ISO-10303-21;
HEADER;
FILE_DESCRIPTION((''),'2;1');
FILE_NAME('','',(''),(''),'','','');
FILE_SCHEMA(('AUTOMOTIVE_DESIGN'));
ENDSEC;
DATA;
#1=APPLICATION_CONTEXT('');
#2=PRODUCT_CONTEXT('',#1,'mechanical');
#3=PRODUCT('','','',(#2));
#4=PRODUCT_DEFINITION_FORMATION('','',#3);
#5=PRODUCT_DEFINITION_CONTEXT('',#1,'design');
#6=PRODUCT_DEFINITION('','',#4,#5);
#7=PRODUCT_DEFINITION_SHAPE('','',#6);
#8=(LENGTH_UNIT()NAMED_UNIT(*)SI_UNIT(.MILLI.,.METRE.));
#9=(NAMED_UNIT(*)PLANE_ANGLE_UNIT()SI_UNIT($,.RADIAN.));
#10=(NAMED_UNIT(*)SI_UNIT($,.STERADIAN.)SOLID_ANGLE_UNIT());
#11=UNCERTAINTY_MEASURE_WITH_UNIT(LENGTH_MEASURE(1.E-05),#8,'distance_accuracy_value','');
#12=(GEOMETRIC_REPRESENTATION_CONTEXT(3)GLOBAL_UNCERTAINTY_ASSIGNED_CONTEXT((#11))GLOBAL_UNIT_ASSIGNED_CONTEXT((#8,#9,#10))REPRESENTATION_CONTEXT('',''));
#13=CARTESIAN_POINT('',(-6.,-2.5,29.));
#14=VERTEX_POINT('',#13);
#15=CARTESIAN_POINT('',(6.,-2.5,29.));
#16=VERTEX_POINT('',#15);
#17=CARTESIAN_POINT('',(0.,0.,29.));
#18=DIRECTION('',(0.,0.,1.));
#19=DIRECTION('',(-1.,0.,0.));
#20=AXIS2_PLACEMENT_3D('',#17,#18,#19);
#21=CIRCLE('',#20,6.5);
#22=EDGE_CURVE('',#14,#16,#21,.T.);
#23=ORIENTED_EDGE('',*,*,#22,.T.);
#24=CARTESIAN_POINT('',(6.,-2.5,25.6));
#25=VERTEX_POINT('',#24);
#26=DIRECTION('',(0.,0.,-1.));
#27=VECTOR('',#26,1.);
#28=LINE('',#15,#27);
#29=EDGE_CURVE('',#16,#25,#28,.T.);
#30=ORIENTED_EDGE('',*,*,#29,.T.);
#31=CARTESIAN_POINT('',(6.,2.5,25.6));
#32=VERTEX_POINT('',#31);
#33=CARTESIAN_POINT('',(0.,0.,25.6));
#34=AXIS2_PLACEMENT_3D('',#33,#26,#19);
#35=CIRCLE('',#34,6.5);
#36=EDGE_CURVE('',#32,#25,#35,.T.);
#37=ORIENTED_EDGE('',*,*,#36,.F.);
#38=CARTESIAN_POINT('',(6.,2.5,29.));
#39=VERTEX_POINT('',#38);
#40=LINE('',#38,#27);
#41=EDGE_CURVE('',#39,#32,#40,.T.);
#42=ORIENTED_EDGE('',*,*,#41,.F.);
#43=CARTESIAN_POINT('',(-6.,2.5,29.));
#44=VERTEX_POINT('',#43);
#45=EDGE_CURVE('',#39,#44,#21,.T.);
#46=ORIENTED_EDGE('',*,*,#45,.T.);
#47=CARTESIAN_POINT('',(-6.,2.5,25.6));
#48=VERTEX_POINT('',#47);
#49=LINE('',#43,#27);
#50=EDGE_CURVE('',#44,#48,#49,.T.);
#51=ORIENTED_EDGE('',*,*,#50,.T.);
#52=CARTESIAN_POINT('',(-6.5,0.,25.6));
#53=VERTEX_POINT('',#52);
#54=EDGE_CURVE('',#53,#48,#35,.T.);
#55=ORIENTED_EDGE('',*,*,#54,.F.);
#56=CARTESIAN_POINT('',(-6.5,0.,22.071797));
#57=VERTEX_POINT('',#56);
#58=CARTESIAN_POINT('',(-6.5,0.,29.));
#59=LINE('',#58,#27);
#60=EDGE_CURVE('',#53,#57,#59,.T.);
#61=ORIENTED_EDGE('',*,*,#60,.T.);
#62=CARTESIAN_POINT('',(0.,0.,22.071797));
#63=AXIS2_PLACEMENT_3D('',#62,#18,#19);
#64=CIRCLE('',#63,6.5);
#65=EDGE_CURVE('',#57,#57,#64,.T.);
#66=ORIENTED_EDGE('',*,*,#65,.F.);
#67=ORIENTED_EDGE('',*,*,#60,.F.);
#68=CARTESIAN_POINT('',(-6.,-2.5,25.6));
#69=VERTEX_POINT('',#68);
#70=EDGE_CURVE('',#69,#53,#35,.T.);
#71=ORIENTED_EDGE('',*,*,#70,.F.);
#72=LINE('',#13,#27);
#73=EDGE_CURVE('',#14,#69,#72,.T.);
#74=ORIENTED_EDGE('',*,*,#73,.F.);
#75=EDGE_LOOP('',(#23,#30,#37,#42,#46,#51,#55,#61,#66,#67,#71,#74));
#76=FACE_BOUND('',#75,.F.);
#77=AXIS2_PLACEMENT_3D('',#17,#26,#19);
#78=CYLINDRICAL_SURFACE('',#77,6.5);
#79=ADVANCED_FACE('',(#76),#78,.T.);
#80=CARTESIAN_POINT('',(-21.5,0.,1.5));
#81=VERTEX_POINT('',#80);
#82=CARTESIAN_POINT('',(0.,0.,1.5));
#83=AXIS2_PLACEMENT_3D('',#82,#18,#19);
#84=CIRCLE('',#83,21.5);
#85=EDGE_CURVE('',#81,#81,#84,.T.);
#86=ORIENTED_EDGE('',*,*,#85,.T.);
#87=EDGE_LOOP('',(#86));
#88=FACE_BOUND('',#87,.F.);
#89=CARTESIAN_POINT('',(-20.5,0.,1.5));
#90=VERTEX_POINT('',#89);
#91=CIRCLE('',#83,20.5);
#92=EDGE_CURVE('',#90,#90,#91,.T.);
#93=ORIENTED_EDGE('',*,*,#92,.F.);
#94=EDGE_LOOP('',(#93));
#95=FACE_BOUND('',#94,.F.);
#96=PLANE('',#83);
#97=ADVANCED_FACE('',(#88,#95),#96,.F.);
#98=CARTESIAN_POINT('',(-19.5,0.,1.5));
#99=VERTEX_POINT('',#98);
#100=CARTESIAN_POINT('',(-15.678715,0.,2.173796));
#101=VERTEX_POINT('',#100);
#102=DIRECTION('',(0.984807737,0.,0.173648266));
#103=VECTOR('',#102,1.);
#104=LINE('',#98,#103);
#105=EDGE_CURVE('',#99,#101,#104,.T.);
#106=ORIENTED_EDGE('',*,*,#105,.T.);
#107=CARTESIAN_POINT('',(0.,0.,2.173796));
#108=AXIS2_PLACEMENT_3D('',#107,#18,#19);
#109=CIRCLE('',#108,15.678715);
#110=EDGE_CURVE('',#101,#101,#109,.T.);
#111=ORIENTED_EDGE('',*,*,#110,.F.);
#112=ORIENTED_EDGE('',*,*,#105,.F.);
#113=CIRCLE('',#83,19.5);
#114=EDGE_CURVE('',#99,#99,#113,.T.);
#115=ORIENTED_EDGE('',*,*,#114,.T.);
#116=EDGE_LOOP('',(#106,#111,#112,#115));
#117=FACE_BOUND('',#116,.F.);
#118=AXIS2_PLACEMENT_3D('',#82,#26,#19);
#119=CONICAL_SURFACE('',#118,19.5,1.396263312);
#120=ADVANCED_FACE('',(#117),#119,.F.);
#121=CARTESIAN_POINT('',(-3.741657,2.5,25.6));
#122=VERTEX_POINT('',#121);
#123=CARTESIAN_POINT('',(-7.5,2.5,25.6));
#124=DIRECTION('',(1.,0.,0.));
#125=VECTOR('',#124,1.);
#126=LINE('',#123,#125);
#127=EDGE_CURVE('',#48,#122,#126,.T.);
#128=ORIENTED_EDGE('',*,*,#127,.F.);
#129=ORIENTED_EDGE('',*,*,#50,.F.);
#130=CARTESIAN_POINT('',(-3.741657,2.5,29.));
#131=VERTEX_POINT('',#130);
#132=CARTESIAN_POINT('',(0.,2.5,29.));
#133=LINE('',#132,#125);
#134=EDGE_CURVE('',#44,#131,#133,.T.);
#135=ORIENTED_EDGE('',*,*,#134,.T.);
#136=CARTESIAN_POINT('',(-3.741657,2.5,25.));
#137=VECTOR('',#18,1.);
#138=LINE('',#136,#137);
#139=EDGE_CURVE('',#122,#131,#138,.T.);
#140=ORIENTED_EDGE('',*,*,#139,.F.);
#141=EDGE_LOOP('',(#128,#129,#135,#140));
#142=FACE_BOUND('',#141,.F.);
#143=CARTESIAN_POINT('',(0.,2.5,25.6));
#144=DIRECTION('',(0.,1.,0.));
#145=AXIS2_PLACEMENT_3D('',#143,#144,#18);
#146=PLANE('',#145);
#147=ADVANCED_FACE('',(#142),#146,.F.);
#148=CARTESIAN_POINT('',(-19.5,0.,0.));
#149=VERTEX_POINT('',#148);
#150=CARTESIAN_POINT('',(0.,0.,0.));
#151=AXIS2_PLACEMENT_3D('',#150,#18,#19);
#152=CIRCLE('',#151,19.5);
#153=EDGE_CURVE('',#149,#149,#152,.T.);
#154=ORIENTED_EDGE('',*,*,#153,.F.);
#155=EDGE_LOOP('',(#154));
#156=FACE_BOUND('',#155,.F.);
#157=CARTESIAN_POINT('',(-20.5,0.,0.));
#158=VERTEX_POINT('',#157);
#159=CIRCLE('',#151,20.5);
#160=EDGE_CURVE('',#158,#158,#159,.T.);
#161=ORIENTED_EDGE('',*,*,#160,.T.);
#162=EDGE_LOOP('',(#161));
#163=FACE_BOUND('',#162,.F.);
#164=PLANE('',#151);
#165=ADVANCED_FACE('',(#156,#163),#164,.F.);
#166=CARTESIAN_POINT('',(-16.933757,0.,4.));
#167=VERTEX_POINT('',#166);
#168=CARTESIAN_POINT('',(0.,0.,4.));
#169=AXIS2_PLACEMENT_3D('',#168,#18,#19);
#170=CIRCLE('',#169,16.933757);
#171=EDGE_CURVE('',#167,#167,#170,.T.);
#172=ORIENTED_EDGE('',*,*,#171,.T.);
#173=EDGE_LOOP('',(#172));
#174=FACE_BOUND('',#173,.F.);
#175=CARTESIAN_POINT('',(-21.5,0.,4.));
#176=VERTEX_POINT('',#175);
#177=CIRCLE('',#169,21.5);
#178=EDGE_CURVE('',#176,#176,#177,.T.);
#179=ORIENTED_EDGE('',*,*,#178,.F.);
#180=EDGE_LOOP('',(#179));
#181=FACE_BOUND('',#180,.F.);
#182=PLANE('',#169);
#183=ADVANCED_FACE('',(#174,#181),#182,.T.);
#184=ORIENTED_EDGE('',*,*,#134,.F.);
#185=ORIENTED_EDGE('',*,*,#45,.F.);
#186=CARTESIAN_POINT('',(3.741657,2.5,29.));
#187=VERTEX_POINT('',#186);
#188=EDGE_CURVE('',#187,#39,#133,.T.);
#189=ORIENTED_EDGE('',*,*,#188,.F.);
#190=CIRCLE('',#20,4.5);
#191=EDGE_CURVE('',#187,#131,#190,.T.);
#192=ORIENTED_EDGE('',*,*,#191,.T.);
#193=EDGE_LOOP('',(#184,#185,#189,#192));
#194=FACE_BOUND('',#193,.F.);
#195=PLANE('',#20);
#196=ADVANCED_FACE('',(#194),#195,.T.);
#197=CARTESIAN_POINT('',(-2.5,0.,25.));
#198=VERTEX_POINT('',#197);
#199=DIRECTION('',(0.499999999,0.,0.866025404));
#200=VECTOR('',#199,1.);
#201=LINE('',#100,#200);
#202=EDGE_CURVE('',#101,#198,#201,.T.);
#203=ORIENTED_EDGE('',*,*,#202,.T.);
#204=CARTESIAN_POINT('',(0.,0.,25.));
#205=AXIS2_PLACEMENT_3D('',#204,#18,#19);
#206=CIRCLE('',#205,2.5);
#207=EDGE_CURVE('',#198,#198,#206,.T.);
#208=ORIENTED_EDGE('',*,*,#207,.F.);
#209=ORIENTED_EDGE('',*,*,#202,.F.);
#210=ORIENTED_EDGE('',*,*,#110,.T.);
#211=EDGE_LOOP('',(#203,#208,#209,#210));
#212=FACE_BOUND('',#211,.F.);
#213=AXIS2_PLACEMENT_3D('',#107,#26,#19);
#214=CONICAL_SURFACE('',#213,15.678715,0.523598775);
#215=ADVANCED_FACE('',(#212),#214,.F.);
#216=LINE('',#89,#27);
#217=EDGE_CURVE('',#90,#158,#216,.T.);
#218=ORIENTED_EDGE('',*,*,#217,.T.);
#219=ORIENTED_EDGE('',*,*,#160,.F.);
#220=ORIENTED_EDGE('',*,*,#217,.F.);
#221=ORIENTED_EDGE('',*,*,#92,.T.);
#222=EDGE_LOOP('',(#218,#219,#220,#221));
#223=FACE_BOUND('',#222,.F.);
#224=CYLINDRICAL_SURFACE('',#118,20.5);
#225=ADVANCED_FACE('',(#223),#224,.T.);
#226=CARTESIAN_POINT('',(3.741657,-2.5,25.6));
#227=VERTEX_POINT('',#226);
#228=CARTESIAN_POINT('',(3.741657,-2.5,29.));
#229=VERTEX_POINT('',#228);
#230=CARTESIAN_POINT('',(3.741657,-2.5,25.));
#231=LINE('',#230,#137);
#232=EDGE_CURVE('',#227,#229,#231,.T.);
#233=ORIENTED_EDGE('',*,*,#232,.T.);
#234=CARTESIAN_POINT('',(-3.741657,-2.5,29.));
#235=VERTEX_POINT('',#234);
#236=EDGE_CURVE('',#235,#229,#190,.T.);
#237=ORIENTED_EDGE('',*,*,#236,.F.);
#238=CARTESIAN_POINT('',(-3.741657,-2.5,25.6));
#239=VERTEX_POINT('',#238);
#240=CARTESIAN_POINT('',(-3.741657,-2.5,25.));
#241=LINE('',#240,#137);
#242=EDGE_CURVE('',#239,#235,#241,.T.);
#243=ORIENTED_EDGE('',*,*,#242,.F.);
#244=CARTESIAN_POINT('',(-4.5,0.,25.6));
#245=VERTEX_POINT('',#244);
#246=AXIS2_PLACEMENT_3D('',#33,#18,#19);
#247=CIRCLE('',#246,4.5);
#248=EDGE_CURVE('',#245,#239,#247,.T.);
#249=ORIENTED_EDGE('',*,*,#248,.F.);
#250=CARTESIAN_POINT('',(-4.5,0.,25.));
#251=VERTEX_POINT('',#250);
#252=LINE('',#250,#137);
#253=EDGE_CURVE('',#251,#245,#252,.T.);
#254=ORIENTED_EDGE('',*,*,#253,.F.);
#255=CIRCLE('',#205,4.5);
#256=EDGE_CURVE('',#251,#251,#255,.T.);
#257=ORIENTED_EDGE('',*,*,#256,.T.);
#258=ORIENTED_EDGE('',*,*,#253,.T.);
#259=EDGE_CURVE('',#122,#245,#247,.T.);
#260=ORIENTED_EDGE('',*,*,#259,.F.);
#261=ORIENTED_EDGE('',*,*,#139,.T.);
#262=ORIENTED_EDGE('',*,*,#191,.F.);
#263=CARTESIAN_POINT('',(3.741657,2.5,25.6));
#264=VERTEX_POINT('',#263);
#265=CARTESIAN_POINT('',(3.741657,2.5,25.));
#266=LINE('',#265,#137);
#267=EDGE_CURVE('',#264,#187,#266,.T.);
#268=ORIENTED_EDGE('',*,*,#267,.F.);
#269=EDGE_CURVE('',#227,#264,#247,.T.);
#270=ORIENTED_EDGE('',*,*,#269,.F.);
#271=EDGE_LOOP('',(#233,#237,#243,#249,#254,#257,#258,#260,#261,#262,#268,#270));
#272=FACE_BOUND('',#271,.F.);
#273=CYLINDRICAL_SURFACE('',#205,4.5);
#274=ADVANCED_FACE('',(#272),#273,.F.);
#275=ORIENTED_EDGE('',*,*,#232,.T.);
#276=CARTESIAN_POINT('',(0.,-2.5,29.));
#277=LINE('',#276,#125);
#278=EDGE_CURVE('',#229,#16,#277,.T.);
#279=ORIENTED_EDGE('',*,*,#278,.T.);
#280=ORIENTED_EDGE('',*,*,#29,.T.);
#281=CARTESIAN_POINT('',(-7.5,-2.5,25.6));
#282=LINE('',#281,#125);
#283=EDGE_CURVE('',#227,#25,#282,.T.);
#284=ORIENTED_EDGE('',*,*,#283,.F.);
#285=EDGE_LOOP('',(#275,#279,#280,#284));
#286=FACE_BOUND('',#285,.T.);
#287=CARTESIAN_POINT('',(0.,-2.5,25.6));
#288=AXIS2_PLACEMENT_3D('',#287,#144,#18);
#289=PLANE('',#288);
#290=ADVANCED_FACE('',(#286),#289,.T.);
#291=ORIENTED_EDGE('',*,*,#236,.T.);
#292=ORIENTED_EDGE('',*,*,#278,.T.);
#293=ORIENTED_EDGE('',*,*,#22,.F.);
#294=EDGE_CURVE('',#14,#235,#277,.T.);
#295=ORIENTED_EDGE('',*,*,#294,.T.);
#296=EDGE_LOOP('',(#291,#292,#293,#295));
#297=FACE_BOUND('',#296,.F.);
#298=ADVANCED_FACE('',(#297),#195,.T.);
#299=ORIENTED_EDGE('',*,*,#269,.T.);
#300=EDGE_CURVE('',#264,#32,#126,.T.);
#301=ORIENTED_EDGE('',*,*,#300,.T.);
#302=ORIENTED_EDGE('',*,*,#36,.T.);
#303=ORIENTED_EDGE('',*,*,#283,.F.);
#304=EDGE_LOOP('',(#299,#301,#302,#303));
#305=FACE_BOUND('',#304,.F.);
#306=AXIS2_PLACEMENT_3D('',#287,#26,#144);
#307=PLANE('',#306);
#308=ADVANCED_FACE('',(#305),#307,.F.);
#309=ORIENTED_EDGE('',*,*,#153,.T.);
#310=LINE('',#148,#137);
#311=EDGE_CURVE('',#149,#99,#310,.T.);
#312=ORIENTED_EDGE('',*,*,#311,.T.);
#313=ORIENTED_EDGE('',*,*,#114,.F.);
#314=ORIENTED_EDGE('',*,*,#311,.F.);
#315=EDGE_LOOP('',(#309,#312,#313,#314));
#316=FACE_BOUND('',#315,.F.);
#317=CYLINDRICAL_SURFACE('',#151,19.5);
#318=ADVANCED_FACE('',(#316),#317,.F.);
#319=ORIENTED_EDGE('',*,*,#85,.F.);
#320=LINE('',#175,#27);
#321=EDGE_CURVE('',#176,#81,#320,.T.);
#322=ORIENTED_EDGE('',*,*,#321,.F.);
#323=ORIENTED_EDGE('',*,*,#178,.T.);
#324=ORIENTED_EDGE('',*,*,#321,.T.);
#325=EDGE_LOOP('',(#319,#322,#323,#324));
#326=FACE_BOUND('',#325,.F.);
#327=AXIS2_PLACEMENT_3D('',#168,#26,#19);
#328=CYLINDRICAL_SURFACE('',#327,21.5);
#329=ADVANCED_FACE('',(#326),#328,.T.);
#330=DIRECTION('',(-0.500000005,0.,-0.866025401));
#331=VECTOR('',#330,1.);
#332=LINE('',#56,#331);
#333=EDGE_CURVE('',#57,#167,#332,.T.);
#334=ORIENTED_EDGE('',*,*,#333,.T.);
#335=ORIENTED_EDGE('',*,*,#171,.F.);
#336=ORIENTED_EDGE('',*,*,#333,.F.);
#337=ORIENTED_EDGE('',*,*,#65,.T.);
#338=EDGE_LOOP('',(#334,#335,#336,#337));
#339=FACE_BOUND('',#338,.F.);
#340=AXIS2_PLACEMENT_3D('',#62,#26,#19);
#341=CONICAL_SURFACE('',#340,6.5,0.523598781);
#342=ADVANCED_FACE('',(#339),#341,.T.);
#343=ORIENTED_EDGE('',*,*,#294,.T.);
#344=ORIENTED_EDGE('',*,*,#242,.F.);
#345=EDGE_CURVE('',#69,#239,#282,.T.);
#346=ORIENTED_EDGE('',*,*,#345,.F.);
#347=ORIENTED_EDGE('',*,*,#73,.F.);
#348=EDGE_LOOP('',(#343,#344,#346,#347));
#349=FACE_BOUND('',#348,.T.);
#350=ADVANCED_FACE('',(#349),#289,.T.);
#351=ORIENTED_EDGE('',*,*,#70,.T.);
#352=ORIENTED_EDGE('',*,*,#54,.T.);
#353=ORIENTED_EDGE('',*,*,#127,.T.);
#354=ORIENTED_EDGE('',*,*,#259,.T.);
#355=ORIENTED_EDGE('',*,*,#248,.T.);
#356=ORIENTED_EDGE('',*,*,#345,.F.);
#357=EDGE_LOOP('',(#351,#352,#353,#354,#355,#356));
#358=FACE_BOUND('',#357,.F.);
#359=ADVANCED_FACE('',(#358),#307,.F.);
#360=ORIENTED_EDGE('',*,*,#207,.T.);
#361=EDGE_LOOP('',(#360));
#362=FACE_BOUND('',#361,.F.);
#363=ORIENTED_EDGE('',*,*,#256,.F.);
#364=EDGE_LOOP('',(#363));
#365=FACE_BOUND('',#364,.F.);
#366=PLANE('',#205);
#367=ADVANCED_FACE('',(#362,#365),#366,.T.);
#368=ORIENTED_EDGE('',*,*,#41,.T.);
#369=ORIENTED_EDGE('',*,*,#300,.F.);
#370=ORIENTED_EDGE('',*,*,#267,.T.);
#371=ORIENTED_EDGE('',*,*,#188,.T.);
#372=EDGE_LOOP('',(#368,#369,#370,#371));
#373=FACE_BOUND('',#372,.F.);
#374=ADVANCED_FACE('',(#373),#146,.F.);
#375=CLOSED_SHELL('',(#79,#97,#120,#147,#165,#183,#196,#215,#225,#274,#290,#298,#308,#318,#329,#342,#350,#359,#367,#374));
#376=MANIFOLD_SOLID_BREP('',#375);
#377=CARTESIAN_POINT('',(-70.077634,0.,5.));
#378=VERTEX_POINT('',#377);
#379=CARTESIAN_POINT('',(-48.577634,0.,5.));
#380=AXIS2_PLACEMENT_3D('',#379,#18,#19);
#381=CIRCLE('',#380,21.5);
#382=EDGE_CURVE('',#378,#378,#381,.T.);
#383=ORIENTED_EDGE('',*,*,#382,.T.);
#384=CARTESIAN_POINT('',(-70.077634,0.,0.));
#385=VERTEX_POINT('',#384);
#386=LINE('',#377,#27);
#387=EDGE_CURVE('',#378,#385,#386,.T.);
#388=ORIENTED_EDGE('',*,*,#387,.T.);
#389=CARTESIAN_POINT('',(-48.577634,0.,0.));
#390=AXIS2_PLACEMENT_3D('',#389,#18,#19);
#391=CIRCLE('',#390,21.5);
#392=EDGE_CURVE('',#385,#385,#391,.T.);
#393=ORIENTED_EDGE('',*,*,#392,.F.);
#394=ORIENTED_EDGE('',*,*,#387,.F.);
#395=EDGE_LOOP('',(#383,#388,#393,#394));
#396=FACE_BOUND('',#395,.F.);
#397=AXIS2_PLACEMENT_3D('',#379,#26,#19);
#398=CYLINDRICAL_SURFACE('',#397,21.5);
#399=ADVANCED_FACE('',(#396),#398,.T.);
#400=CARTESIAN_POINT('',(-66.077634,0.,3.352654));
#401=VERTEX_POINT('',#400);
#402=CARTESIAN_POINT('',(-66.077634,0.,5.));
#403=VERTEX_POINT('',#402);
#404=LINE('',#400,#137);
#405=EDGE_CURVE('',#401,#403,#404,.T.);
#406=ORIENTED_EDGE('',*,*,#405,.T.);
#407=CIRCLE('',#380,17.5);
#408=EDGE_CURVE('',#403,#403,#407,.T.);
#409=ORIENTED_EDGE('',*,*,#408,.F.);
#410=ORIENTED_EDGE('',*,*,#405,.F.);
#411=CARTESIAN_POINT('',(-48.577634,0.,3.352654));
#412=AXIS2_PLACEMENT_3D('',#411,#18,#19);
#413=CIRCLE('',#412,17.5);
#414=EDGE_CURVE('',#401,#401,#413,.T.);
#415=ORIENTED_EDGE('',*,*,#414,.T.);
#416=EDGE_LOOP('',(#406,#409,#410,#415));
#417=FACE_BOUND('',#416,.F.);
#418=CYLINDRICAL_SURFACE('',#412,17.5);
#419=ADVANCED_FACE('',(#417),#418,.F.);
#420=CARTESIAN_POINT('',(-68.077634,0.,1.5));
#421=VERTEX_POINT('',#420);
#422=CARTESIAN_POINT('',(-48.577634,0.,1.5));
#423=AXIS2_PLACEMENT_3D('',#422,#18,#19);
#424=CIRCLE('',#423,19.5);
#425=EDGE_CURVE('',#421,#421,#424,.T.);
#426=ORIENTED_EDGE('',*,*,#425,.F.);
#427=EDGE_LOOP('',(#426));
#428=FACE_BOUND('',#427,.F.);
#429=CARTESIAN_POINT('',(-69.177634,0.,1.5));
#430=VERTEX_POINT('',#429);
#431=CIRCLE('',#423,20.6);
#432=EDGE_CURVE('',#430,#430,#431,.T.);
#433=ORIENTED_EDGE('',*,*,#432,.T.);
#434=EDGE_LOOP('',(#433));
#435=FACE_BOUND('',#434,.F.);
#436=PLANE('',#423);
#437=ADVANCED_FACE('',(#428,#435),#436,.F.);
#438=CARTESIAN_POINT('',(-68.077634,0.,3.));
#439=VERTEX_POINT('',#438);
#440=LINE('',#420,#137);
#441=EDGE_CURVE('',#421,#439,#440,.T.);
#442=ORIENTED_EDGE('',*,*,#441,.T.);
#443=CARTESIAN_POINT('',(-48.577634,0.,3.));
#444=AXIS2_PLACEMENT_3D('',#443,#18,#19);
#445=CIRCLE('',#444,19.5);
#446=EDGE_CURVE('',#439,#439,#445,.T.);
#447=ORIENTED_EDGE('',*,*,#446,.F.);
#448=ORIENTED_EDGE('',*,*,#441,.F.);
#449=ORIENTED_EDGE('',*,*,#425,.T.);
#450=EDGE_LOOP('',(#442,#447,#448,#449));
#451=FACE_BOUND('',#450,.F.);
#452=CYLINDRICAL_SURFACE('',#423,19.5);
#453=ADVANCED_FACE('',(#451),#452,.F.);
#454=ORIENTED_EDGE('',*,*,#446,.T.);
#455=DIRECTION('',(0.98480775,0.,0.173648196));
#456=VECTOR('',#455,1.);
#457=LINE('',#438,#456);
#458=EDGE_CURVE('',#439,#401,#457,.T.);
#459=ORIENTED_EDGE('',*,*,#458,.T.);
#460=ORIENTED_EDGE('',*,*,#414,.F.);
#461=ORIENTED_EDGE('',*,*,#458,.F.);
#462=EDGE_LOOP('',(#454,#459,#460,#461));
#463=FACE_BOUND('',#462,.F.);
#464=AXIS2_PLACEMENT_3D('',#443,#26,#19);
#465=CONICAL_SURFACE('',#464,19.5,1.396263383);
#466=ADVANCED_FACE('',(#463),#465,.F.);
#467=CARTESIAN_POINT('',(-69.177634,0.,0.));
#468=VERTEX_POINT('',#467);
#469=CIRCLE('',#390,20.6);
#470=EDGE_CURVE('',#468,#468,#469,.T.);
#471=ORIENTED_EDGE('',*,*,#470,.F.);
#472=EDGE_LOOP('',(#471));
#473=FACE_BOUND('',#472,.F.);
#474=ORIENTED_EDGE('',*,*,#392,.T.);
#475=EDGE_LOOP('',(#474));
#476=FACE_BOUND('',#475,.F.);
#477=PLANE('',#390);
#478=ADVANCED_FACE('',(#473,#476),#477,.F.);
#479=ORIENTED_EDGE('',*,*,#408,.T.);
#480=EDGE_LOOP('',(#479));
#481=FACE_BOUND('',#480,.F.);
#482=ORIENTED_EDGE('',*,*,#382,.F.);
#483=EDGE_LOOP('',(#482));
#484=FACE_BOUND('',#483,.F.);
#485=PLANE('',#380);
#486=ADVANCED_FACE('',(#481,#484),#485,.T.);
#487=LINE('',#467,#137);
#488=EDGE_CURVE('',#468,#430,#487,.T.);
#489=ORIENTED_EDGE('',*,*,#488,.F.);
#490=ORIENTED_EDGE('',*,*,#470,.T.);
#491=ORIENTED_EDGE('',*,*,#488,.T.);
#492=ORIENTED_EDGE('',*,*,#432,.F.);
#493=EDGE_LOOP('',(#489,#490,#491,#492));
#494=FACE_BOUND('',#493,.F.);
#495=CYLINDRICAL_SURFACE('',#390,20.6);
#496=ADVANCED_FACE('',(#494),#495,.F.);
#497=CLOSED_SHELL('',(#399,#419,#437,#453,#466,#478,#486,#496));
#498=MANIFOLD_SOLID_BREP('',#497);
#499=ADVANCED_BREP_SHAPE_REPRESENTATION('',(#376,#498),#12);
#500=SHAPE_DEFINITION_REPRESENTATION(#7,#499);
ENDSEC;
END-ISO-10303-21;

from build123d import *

# Parameters (mm, degrees)
F2_W     = 5
F2_H     = 8
F3_DEPTH = 7.5


with BuildPart() as f1:
    # F0 (on Front) → F1 (revolve)
    with BuildSketch(Plane.XZ):
        Polygon((-20.5, 0), (-19.5, 0), (-19.5, 1.5), (-15.678715, 2.173796), (-2.5, 25), (-4.5, 25), (-4.5, 29), (-6.5, 29), (-6.5, 22.071797), (-16.933757, 4), (-21.5, 4), (-21.5, 1.5), (-20.5, 1.5), align=None)
    revolve(axis=Axis((0, 0, 15.472903), (0, 0, 1)))

    # F2 (on Right) → F3 (cut, symmetric)
    with BuildSketch(Plane.YZ):
        with Locations((0, 29.6)):
            Rectangle(F2_W, F2_H)
    extrude(amount=F3_DEPTH, both=True, mode=Mode.SUBTRACT)


with BuildPart() as f5:
    # F4 (on Front) → F5 (revolve)
    with BuildSketch(Plane.XZ):
        Polygon((-66.077634, 5), (-70.077634, 5), (-70.077634, 0), (-69.177634, 0), (-69.177634, 1.5), (-68.077634, 1.5), (-68.077634, 3), (-66.077634, 3.352654), align=None)
    revolve(axis=Axis((-48.577634, 0, 5.398479), (0, 0, 1)))


solid = Compound([f1.part, f5.part])
